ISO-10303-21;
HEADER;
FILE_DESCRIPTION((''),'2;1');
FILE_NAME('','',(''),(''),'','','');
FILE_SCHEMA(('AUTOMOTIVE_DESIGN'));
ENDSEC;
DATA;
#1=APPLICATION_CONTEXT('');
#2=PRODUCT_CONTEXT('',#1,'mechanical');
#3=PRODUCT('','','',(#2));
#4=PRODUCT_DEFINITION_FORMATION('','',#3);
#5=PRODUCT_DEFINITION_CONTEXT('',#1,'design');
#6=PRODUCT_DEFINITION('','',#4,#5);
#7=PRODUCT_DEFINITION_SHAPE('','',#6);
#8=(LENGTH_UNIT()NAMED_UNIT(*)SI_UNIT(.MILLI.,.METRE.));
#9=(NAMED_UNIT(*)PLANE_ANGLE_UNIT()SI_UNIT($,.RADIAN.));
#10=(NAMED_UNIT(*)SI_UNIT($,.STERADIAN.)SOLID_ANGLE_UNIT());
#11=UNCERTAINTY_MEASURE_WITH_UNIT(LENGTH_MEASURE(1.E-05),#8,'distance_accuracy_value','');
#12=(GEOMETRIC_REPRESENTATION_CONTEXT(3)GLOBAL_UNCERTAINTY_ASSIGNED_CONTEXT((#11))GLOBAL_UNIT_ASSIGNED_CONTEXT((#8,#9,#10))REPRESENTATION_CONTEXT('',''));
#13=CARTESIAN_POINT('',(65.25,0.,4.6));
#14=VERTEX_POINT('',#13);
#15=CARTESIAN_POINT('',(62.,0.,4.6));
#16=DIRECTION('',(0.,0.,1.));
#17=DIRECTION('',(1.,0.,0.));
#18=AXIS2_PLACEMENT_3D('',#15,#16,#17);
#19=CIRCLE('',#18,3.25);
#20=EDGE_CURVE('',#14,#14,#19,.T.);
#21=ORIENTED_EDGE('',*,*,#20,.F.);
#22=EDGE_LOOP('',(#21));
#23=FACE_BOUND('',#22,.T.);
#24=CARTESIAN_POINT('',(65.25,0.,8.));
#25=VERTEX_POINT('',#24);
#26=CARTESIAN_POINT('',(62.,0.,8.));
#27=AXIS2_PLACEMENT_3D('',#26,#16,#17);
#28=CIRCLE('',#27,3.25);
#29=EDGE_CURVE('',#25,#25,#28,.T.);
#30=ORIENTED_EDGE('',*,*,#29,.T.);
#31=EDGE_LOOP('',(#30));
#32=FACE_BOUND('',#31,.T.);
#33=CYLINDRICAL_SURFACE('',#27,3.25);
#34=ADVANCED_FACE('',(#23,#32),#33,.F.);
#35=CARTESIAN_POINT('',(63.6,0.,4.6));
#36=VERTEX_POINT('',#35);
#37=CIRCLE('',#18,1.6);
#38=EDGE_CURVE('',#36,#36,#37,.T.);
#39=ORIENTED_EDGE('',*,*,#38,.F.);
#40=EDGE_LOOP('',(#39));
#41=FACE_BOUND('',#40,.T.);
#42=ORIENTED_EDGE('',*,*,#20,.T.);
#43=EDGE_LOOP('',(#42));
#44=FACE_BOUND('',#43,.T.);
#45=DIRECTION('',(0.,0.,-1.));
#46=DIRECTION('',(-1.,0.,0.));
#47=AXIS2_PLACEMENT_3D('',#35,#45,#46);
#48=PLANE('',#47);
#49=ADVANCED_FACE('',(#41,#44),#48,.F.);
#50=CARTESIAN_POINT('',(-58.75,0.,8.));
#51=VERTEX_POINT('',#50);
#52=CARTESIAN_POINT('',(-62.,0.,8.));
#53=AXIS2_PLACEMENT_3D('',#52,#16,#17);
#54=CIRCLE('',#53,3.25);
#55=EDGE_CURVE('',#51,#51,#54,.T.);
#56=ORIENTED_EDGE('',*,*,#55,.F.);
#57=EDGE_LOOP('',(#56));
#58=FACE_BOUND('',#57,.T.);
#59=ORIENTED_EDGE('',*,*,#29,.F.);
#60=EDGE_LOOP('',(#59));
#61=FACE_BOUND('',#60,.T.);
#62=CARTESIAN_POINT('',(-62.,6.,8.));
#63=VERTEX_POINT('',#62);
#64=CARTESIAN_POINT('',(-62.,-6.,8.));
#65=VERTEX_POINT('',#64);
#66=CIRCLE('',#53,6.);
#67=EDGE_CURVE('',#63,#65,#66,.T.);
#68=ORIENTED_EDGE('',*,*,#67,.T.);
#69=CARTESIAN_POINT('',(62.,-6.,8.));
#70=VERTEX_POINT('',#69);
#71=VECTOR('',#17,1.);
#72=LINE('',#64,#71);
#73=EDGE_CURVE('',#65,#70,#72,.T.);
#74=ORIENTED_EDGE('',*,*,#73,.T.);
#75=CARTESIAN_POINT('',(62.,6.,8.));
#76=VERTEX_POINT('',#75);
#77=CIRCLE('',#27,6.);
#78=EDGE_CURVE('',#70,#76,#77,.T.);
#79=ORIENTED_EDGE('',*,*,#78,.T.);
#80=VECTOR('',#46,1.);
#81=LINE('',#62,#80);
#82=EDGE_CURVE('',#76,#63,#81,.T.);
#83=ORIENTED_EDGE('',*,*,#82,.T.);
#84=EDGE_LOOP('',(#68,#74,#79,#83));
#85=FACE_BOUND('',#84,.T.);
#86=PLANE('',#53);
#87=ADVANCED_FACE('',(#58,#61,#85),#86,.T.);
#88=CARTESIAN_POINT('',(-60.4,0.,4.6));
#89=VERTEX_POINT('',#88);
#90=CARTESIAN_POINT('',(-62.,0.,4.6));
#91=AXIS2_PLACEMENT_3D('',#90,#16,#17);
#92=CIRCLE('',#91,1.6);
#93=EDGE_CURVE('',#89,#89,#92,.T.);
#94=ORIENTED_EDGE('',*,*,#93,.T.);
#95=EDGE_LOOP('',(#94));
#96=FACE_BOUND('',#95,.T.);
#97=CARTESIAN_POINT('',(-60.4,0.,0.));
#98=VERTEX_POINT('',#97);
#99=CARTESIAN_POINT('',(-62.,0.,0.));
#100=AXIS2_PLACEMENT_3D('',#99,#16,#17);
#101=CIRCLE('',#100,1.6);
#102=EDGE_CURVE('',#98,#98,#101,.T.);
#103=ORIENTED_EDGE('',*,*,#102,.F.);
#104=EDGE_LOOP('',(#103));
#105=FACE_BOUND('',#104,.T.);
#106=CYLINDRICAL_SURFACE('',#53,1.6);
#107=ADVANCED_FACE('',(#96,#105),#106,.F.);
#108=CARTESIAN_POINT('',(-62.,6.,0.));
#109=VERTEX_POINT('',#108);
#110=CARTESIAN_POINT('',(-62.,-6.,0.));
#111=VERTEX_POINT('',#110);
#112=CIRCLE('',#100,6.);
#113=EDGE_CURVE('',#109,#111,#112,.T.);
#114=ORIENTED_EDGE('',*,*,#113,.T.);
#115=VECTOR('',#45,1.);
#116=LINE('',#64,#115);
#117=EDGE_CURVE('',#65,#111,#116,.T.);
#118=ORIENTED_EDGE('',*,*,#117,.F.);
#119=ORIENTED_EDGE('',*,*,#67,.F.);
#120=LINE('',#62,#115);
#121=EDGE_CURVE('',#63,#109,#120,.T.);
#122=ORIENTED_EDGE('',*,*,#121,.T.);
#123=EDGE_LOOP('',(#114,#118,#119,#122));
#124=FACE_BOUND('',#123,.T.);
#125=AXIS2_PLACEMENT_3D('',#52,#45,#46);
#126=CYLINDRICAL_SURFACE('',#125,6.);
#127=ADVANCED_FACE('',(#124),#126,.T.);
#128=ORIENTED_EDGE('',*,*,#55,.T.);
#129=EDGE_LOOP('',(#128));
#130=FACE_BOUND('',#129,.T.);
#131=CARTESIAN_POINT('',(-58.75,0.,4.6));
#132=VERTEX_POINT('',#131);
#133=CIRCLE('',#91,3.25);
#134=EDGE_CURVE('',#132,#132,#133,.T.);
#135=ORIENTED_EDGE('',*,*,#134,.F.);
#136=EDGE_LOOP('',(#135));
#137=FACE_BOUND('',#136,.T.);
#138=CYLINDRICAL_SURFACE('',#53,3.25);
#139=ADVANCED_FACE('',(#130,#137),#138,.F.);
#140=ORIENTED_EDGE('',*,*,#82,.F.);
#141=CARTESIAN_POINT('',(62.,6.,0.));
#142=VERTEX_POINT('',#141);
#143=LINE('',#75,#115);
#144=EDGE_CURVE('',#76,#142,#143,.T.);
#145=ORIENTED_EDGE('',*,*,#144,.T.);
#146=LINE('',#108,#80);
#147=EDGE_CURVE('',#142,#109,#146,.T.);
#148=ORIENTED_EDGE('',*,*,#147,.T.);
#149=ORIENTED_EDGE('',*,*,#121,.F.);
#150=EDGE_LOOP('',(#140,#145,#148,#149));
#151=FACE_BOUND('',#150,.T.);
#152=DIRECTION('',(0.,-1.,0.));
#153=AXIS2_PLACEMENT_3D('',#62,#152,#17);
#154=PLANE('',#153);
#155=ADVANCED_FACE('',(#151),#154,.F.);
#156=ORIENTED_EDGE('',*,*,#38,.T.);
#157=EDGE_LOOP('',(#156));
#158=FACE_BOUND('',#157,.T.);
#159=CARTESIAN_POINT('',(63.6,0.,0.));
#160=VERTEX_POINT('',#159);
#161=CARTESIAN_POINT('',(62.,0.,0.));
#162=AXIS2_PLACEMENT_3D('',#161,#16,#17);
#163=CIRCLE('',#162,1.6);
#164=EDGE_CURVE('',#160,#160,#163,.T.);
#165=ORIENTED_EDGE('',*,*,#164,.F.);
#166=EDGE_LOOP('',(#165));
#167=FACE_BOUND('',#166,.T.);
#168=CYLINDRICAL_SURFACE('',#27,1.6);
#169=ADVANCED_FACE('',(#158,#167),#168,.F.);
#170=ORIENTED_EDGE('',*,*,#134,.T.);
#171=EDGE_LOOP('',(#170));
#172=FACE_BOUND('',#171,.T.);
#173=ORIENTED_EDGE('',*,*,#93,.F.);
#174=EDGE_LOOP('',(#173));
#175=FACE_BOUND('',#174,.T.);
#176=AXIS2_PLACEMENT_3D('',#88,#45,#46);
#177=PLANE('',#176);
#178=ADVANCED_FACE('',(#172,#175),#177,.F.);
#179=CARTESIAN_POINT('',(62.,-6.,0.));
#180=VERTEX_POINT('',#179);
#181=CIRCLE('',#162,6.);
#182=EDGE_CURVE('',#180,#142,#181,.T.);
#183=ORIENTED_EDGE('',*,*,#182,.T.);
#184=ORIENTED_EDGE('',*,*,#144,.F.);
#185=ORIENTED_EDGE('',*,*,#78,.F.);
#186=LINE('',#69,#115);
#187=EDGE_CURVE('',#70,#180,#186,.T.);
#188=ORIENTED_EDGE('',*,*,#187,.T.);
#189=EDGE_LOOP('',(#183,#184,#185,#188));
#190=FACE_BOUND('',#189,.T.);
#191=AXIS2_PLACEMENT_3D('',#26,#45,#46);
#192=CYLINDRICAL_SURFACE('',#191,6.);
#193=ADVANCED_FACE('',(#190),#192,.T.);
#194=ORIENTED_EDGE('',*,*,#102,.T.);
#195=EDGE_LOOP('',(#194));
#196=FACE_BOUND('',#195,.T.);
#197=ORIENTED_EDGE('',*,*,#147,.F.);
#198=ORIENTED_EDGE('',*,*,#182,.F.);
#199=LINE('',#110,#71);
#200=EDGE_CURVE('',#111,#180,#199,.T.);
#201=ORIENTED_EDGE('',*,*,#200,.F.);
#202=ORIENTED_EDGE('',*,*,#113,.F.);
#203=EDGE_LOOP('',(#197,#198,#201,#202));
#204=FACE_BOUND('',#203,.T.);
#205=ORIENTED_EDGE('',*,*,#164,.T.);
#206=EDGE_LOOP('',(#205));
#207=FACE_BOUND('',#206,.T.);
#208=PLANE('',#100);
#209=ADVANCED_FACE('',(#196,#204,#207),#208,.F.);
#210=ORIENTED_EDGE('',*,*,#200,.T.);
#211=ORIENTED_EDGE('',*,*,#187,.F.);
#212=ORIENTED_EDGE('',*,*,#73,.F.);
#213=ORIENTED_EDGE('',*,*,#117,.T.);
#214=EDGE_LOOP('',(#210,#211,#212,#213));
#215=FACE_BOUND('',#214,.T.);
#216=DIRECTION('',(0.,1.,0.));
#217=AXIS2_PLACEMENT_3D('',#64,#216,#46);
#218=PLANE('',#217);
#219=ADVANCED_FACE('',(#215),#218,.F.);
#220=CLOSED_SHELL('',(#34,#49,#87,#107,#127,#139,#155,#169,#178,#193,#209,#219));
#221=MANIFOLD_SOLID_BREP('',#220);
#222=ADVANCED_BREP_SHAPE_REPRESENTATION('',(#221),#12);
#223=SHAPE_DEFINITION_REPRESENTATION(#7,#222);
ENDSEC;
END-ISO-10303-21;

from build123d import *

# Parameters (mm, degrees)
BOSS_EXTRUDE1_DEPTH                                 = 8
CBORE_FOR_M3_HEX_SOCKET_HEAD_CAP_SCREW1_D           = 3.2
CBORE_FOR_M3_HEX_SOCKET_HEAD_CAP_SCREW1_CBORE_D     = 6.5
CBORE_FOR_M3_HEX_SOCKET_HEAD_CAP_SCREW1_CBORE_DEPTH = 3.4


with BuildPart() as part:
    # Sketch1 → Boss-Extrude1 (new body)
    with BuildSketch(Plane.XY):
        with BuildLine():
            Line((-62, 6), (62, 6))
            ThreePointArc((62, 6), (68, 0), (62, -6))
            Line((62, -6), (-62, -6))
            ThreePointArc((-62, -6), (-68, 0), (-62, 6))
        make_face()
    extrude(amount=BOSS_EXTRUDE1_DEPTH)

    # CBORE for M3 Hex Socket Head Cap Screw1 (through all)
    with Locations(Plane.XY.offset(8)):
        with Locations((-62, 0), (62, 0)):
            CounterBoreHole(CBORE_FOR_M3_HEX_SOCKET_HEAD_CAP_SCREW1_D / 2, CBORE_FOR_M3_HEX_SOCKET_HEAD_CAP_SCREW1_CBORE_D / 2, CBORE_FOR_M3_HEX_SOCKET_HEAD_CAP_SCREW1_CBORE_DEPTH)


solid = part.part
